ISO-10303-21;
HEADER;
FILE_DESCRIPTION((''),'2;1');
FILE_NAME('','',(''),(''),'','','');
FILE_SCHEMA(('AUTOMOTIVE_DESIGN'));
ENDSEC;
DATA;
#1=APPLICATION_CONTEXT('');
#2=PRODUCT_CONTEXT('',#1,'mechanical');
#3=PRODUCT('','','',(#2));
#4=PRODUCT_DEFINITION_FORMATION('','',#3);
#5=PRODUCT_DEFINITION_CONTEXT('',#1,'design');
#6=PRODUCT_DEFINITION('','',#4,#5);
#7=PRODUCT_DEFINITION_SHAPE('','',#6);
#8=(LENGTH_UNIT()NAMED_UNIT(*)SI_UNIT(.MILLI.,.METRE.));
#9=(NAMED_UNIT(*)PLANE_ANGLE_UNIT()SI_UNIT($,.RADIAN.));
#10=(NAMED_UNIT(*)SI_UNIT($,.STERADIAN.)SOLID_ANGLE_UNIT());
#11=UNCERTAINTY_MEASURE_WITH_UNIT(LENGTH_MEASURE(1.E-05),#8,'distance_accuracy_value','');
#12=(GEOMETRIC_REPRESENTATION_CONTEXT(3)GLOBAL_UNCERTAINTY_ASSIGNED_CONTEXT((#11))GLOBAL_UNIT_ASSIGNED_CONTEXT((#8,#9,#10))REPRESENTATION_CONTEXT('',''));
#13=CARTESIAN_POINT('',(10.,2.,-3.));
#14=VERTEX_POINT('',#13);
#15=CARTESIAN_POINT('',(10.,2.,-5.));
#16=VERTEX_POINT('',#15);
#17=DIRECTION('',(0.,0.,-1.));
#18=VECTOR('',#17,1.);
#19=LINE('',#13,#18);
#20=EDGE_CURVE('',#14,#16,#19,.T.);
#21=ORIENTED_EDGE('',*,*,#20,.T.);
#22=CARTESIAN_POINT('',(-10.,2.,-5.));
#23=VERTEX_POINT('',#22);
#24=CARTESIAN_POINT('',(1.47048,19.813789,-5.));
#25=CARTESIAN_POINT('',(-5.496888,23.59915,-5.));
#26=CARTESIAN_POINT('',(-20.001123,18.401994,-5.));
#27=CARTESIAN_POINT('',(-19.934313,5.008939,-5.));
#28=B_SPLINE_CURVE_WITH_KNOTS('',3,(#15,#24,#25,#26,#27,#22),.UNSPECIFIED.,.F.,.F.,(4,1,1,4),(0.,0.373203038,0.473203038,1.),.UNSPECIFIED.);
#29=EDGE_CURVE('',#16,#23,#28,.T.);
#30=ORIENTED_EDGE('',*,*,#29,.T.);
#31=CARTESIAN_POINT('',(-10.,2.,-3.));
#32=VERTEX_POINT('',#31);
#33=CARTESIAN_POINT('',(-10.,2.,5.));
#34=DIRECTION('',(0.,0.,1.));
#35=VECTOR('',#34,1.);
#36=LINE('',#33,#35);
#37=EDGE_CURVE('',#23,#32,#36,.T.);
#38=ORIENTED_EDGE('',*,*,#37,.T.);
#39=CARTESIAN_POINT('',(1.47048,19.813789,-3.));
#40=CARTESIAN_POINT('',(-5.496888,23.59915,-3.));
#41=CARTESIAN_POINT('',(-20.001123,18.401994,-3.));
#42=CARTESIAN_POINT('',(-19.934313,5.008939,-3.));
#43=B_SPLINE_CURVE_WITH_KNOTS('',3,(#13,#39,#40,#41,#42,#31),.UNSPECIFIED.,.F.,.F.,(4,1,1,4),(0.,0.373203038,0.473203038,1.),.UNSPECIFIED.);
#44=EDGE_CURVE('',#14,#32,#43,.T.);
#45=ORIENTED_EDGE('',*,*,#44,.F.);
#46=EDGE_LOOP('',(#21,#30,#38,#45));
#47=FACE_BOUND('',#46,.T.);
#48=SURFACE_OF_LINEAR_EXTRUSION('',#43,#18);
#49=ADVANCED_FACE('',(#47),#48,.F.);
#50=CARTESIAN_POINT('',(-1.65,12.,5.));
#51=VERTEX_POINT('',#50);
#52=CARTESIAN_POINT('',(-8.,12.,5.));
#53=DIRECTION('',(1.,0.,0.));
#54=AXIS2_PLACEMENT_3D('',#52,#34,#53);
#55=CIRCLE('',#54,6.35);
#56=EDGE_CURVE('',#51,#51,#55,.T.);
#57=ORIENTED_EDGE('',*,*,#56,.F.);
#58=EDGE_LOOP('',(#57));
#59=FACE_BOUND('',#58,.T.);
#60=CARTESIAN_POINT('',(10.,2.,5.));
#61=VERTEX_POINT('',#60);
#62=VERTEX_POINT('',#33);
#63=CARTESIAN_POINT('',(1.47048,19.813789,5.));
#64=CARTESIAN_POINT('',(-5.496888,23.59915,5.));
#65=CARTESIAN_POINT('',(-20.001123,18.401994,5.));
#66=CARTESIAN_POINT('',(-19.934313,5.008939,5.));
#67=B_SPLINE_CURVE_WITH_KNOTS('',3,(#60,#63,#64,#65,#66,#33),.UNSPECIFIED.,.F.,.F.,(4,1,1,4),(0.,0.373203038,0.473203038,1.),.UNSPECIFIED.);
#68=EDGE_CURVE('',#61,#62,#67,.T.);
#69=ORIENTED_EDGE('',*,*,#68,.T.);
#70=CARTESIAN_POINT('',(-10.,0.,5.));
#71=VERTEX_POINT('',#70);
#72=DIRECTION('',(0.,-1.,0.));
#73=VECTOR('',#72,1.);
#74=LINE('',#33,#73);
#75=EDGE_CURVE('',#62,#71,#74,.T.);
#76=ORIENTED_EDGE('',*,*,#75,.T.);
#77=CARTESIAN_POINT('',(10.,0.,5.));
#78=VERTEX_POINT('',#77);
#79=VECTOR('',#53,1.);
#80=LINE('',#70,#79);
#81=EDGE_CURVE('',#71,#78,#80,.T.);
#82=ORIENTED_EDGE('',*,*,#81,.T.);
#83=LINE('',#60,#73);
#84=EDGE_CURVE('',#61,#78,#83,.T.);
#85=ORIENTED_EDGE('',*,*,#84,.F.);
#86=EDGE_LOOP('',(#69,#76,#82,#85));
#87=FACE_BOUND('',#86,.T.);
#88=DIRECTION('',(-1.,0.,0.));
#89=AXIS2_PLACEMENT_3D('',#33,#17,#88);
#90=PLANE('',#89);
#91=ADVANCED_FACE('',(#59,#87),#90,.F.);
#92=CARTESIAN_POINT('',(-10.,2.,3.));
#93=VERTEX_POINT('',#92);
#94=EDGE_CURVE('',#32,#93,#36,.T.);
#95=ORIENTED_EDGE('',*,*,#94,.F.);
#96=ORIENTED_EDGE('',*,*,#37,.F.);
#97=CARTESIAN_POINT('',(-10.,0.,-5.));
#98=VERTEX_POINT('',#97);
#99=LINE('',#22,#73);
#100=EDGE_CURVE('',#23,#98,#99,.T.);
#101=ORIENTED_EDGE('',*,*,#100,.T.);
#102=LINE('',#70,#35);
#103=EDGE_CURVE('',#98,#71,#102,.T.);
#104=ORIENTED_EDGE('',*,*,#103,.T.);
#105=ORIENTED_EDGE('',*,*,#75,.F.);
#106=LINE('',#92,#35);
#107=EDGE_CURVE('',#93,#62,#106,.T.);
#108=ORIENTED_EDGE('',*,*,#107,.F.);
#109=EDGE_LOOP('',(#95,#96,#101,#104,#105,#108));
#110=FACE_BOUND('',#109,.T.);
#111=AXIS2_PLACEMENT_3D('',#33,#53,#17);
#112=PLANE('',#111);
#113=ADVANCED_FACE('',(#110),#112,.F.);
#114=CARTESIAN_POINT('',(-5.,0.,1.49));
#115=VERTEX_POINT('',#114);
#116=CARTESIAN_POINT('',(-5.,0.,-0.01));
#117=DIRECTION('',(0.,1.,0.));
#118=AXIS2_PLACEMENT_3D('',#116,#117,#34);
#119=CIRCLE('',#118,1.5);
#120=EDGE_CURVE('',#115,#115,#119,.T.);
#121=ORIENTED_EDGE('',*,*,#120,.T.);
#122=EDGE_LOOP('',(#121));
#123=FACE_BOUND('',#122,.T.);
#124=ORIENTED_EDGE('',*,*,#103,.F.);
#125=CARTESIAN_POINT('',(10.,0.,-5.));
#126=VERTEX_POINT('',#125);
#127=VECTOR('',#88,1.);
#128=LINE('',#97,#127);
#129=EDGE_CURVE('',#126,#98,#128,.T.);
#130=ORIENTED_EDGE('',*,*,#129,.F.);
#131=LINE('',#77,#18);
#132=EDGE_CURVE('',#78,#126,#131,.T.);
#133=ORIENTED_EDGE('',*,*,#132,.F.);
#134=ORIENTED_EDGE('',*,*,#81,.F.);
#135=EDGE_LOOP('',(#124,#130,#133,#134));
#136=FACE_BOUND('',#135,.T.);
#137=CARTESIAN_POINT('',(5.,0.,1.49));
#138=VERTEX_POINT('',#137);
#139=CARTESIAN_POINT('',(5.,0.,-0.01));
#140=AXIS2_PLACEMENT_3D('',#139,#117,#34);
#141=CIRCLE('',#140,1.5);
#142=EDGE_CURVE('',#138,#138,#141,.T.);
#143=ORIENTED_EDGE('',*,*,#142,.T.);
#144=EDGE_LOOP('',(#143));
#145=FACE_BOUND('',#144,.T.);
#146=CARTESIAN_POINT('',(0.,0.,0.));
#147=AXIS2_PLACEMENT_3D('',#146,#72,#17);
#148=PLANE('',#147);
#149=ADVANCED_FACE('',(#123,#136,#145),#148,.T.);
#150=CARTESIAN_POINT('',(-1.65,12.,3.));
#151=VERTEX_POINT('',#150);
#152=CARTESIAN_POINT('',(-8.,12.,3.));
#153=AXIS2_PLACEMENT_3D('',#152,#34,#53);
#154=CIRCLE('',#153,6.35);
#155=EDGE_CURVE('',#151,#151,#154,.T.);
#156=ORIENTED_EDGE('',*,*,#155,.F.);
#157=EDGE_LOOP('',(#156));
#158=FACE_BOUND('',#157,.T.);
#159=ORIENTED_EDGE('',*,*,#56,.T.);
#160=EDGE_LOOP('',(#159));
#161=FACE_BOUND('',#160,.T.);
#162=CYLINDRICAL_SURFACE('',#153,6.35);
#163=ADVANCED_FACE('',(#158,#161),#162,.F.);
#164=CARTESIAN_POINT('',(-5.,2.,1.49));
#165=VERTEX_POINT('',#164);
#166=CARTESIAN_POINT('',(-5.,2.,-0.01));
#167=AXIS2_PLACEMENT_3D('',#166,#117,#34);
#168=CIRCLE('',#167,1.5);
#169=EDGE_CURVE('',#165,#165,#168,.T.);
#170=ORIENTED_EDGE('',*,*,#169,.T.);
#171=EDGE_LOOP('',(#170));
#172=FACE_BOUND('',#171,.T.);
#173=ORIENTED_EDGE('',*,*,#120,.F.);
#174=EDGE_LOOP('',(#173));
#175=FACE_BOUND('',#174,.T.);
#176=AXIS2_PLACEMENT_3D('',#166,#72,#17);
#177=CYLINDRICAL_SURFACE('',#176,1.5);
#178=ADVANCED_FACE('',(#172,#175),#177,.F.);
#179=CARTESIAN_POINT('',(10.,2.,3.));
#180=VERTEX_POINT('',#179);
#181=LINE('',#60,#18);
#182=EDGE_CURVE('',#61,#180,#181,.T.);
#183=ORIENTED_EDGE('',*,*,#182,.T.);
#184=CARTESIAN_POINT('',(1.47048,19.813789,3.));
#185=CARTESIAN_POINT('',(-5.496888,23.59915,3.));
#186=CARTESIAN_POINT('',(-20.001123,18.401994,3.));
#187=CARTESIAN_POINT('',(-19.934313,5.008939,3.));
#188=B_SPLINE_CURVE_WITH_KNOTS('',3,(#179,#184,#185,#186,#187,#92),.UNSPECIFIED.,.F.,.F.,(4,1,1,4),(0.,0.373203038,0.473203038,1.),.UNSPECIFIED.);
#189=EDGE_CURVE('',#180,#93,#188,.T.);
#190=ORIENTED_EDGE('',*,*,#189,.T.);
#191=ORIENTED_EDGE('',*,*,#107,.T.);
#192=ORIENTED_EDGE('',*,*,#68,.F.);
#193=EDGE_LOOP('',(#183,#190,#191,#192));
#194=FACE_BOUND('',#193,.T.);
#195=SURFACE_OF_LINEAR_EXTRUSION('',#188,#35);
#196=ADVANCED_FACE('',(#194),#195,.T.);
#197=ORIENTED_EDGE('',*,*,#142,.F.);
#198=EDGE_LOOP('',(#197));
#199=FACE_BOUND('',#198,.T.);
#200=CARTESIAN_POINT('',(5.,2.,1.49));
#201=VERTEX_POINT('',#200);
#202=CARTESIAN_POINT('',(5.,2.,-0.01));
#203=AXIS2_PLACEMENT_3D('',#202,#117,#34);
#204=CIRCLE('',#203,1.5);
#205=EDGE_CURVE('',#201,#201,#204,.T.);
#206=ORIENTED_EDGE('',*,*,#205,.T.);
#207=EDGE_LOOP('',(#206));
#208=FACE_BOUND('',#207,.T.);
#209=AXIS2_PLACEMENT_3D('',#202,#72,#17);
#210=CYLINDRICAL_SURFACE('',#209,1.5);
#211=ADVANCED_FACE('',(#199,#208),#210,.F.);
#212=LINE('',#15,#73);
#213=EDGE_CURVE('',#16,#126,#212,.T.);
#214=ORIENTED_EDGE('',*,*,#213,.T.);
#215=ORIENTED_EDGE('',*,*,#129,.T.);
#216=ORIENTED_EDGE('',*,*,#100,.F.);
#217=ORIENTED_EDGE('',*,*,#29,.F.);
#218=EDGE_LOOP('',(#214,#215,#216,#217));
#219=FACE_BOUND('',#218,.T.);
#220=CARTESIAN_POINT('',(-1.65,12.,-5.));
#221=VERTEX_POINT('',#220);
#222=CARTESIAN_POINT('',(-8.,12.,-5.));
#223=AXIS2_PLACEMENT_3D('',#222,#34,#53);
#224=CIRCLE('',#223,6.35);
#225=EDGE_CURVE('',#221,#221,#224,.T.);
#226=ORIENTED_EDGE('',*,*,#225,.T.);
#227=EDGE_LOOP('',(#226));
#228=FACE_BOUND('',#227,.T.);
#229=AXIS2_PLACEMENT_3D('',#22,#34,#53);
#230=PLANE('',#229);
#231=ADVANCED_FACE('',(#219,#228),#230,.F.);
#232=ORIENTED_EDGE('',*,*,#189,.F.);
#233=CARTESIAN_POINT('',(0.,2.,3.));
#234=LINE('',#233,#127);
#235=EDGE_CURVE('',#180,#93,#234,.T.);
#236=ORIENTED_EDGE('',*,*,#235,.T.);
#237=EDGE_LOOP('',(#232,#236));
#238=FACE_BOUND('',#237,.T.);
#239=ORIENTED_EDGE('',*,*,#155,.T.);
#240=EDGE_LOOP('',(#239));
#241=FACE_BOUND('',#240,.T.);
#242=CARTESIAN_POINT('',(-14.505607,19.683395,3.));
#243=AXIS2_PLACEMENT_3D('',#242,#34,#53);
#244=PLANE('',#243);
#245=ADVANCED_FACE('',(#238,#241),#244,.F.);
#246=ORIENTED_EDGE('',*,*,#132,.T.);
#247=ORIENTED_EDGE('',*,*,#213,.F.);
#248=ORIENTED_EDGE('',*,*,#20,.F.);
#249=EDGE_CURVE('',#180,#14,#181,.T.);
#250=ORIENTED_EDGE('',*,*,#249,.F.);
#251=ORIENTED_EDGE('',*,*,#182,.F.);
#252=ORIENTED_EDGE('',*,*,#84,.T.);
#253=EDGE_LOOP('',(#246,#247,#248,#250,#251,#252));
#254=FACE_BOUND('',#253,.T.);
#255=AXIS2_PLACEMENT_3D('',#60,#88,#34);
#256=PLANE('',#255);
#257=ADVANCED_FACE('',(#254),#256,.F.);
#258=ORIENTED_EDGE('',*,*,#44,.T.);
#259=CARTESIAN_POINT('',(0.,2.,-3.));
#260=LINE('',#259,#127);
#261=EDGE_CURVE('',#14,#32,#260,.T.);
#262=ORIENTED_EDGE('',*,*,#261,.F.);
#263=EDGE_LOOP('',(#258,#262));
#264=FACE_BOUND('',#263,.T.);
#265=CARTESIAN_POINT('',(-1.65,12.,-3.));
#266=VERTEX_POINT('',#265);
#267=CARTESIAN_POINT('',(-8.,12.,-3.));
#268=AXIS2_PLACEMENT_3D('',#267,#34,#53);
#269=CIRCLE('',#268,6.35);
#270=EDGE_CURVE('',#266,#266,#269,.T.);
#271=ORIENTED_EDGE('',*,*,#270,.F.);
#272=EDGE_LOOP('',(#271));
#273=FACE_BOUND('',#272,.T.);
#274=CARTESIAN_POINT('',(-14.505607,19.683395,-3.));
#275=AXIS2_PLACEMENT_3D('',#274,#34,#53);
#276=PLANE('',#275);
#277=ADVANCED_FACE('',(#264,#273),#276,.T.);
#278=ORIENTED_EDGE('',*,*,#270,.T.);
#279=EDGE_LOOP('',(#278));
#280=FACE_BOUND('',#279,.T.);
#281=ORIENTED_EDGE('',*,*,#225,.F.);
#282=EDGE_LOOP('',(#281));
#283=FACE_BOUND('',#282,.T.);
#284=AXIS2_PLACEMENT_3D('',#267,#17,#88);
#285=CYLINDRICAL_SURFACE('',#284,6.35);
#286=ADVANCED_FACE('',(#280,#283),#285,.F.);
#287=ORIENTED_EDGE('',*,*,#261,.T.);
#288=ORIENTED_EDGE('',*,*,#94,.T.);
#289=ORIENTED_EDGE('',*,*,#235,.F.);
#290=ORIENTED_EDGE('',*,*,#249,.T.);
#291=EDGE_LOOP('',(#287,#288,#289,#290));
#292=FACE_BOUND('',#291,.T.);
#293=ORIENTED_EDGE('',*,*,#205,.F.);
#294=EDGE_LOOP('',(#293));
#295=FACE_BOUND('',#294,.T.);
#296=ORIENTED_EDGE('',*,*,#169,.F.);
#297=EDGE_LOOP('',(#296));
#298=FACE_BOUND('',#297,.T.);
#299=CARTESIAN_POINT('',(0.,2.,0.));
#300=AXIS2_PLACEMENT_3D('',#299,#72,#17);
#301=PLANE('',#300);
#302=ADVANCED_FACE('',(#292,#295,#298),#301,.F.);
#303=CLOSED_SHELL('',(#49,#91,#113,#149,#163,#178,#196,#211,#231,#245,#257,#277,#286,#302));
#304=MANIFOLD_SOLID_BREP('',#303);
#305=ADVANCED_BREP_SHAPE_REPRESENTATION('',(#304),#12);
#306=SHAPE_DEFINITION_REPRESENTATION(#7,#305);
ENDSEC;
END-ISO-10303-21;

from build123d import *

# Parameters (mm, degrees)
SKETCH1_W           = 20
SKETCH1_H           = 10
SKETCH1_R           = 1.5
BOSS_EXTRUDE1_DEPTH = 2
SKETCH2_R           = 6.35
BOSS_EXTRUDE2_DEPTH = 2
BOSS_EXTRUDE3_START = -8
SKETCH2_3_R         = 6.35
BOSS_EXTRUDE3_DEPTH = 2


with BuildPart() as part:
    # Sketch1 → Boss-Extrude1 (new body)
    with BuildSketch(Plane(origin=(0, 0, 0), x_dir=(1, 0, 0), z_dir=(0, 1, 0))):
        Rectangle(SKETCH1_W, SKETCH1_H)
        with Locations((-5, 0.01)):
            Circle(SKETCH1_R, mode=Mode.SUBTRACT)
        with Locations((5, 0.01)):
            Circle(SKETCH1_R, mode=Mode.SUBTRACT)
    extrude(amount=BOSS_EXTRUDE1_DEPTH)

    # Sketch2 → Boss-Extrude2 (add)
    with BuildSketch(Plane.XY.offset(5)):
        with BuildLine():
            Line((-10, 2), (-10, 0))
            Line((-10, 0), (10, 0))
            Line((10, 0), (10, 2))
            add(Edge.make_bspline(
                [(-10, 2), (-19.934312567, 5.008938653), (-20.001123005, 18.401993577), (-5.496887853, 23.599149902), (1.470480463, 19.813788664), (10, 2)],
                knots=[0, 0, 0, 0, 0.526796962, 0.626796962, 1, 1, 1, 1], degree=3))
        make_face()
        with Locations((-8, 12)):
            Circle(SKETCH2_R, mode=Mode.SUBTRACT)
    extrude(amount=-BOSS_EXTRUDE2_DEPTH)

    # Sketch2<3> → Boss-Extrude3 (add)
    with BuildSketch(Plane.XY.offset(5).offset(BOSS_EXTRUDE3_START)):
        with BuildLine():
            Line((-10, 2), (-10, 0))
            Line((-10, 0), (10, 0))
            Line((10, 0), (10, 2))
            add(Edge.make_bspline(
                [(-10, 2), (-19.934312567, 5.008938653), (-20.001123005, 18.401993577), (-5.496887853, 23.599149902), (1.470480463, 19.813788664), (10, 2)],
                knots=[0, 0, 0, 0, 0.526796962, 0.626796962, 1, 1, 1, 1], degree=3))
        make_face()
        with Locations((-8, 12)):
            Circle(SKETCH2_3_R, mode=Mode.SUBTRACT)
    extrude(amount=-BOSS_EXTRUDE3_DEPTH)


solid = part.part
